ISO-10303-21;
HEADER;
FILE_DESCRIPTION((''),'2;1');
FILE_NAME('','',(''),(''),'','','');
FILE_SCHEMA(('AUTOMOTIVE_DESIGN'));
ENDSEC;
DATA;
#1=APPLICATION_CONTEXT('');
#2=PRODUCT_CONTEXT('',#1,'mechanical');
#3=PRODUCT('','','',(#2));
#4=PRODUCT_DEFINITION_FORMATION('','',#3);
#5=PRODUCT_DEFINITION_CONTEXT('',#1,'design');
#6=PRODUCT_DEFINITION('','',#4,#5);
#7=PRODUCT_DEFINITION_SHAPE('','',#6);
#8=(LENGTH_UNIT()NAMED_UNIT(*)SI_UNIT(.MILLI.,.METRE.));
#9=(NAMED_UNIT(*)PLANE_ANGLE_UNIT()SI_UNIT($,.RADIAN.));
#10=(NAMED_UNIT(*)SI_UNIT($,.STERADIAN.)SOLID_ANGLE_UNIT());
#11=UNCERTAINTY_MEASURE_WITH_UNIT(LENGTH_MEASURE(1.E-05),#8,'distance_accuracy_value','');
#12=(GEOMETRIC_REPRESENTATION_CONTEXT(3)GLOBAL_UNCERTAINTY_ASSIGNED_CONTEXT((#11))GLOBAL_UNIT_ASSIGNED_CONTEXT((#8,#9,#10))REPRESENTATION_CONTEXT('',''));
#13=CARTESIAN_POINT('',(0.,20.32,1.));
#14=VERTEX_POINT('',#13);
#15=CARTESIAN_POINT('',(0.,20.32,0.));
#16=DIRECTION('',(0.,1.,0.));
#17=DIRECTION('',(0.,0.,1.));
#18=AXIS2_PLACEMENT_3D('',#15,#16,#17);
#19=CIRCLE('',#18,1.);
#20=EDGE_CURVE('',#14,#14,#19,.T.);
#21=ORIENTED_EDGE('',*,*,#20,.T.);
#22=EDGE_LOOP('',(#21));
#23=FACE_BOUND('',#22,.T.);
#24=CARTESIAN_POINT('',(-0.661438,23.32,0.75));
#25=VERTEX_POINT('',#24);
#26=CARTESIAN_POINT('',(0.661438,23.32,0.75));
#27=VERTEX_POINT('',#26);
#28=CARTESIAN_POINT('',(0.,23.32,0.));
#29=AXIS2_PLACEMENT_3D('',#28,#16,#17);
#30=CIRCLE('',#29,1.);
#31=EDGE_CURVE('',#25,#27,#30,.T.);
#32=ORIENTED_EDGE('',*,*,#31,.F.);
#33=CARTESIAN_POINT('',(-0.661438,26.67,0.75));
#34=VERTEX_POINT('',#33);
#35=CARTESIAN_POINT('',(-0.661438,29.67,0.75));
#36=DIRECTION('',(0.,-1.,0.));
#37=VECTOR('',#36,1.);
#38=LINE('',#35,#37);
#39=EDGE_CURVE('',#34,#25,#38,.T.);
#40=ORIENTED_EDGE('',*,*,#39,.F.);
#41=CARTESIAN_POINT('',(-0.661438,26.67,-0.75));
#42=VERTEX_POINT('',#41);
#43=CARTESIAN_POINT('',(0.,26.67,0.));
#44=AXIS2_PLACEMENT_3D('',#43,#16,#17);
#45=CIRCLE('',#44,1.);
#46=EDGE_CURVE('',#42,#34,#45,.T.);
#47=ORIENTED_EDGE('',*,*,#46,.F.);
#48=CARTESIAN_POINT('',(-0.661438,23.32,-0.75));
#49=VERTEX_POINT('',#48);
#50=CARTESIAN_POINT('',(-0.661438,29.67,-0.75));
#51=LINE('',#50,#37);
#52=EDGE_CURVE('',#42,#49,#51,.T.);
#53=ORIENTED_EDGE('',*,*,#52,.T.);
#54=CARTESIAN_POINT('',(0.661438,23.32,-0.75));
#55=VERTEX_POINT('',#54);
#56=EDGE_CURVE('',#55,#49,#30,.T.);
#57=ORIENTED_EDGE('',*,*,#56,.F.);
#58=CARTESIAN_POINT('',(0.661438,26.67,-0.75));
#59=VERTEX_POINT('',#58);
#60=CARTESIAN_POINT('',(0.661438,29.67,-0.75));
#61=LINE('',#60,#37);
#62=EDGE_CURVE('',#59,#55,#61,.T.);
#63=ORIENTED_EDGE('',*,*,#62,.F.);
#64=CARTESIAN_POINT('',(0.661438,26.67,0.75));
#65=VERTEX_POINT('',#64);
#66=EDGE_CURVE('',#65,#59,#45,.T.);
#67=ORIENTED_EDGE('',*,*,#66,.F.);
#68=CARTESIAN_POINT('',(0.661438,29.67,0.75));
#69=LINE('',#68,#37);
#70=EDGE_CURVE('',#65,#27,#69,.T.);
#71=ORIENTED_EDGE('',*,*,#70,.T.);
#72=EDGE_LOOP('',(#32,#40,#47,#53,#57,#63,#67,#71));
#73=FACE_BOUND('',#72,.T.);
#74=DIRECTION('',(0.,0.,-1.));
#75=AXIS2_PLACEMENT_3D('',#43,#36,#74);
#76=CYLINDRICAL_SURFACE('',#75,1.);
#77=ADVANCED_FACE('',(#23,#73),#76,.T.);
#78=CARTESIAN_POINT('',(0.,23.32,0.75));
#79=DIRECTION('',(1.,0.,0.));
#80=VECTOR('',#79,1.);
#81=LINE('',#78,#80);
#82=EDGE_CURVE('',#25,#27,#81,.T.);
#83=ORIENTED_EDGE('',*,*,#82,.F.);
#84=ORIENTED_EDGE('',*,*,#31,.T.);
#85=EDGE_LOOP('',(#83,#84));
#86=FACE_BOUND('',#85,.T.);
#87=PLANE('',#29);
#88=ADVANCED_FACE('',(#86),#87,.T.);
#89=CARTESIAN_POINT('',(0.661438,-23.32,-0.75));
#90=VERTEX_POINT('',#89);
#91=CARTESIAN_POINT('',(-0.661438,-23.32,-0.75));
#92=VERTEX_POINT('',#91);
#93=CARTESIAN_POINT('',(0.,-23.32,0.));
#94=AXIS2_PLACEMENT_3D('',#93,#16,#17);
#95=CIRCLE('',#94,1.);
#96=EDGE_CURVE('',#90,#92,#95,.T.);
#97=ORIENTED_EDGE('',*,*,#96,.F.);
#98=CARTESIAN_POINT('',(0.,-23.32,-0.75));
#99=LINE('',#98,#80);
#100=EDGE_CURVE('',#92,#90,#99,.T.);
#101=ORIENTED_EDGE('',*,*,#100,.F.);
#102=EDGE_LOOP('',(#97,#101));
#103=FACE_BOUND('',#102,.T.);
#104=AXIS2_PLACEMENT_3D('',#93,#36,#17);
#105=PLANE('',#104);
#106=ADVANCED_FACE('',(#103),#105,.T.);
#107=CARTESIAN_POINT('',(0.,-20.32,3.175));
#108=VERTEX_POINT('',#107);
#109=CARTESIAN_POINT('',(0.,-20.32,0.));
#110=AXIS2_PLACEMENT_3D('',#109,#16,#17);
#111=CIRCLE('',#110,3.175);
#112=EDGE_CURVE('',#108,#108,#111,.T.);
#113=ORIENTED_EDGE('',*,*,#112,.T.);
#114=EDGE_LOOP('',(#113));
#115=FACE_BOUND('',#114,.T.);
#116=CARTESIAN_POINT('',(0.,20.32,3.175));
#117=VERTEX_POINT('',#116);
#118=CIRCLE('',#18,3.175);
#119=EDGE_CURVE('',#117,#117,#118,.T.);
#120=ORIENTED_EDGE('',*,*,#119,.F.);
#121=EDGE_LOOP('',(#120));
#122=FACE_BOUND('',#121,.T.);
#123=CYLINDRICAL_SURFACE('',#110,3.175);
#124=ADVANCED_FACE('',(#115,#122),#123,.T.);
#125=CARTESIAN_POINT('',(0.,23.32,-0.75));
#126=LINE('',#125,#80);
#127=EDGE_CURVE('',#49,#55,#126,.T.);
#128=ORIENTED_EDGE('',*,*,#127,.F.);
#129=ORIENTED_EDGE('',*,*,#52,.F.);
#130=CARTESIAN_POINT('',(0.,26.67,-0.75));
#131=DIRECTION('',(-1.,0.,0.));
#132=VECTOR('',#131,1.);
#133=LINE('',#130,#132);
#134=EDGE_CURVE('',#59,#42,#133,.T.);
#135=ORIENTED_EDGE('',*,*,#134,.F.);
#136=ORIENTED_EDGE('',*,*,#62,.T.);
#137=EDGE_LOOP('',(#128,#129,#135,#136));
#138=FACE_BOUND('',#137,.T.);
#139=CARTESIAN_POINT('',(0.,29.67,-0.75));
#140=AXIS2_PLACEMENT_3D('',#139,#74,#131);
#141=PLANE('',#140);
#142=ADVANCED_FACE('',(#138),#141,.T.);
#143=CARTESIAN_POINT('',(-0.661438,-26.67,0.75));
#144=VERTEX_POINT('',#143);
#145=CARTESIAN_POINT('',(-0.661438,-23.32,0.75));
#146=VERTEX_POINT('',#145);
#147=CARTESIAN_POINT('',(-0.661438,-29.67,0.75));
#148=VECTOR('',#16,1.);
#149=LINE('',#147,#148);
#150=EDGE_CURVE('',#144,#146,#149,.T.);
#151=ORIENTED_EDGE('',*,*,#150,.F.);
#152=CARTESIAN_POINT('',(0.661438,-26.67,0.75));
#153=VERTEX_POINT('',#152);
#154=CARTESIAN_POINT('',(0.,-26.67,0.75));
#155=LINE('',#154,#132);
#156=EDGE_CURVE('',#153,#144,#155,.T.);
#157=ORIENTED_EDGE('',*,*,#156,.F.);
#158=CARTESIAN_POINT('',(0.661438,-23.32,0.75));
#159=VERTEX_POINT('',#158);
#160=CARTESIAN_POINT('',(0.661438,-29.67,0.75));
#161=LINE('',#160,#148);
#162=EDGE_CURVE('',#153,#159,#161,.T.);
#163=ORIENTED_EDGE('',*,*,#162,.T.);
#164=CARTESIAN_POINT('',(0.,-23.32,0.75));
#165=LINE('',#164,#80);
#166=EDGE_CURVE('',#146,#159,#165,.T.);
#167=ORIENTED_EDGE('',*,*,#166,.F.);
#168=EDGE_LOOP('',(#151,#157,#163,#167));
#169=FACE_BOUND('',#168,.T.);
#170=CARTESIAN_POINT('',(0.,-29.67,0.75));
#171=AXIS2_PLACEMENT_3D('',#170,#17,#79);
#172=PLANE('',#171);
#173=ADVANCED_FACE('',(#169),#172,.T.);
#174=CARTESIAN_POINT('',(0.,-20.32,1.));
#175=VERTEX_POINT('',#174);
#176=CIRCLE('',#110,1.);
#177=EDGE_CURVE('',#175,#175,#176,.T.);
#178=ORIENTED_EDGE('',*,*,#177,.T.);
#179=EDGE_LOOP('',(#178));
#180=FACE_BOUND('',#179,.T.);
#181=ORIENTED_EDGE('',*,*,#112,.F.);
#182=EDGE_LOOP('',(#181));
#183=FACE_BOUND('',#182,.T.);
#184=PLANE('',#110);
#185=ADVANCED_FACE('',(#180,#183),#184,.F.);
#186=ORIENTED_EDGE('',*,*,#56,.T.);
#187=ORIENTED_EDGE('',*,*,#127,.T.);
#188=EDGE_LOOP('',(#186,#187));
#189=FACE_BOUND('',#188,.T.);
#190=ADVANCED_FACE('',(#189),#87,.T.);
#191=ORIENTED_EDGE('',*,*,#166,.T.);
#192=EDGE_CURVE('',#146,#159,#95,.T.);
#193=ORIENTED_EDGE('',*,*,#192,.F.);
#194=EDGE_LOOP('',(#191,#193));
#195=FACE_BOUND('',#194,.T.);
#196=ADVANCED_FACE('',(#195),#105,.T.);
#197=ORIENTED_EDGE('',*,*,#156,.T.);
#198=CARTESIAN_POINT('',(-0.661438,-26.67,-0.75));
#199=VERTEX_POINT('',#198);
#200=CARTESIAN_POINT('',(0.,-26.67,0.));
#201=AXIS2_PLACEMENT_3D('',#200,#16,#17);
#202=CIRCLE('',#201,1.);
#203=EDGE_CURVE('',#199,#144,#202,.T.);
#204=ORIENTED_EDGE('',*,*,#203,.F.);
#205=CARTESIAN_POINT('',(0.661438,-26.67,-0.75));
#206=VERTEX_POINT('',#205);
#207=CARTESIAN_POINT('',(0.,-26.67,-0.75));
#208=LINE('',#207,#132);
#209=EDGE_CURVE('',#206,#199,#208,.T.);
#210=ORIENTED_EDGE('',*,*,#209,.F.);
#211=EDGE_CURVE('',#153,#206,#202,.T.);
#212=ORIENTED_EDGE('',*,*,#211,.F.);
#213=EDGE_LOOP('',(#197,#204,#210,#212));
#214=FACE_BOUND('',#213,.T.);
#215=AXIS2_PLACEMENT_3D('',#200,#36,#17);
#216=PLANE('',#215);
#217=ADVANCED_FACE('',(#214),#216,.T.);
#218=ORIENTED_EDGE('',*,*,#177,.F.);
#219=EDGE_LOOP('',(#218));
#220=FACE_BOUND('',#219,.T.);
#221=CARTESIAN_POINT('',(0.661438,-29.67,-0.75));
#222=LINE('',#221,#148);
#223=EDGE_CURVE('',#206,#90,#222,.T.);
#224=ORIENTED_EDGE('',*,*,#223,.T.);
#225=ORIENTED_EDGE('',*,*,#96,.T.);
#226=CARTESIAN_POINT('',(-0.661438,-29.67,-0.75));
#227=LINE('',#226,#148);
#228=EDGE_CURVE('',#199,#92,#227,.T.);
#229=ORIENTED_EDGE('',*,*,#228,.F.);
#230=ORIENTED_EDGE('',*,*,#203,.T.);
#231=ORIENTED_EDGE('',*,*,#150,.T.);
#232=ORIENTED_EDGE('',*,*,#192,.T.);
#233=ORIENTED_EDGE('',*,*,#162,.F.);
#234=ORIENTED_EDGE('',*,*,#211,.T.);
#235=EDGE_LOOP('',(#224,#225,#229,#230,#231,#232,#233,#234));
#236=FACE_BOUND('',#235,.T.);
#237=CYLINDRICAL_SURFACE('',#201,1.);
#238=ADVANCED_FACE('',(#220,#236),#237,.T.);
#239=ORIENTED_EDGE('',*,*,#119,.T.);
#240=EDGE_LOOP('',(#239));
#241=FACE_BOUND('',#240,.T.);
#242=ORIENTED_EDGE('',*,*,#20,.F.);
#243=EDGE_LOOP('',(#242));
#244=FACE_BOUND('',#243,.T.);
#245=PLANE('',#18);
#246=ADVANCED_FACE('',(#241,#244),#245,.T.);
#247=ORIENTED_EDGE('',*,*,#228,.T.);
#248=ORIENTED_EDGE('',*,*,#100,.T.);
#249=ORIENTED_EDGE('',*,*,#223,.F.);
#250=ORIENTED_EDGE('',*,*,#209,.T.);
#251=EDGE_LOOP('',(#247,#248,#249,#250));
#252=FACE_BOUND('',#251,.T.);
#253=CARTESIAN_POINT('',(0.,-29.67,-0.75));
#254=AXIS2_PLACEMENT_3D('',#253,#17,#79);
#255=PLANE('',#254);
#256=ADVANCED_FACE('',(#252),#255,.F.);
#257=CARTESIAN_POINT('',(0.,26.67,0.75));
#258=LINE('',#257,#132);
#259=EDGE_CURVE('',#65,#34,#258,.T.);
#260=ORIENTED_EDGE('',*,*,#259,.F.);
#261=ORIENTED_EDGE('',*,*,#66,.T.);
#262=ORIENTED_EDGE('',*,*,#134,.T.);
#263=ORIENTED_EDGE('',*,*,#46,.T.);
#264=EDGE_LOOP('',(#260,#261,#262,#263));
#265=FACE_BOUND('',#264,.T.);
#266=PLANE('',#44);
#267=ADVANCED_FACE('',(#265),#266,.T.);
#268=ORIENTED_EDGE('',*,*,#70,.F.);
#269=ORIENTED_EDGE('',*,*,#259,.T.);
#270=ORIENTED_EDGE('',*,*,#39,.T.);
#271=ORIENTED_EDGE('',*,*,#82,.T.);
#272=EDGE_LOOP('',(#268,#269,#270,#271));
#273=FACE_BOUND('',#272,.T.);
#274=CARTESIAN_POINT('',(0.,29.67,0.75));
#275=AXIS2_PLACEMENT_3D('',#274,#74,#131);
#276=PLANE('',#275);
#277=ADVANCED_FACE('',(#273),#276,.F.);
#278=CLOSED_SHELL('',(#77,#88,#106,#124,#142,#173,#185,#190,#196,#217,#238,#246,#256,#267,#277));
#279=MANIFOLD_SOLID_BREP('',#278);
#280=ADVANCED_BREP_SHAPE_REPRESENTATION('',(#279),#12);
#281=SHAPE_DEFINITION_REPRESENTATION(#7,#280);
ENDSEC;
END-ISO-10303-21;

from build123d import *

# Parameters (mm, degrees)
BOSS_EXTRUDE1_DEPTH      = 20.32
BOSS_EXTRUDE1_DEPTH_BACK = 20.32
SKETCH1_R                = 3.175
SKETCH2_R                = 1
BOSS_EXTRUDE2_DEPTH      = 6.35
CUT_EXTRUDE1_DEPTH       = 6.35


with BuildPart() as part:
    # Sketch1 → Boss-Extrude1 (new, two sides: drawn at the far end of the back side and taken through both)
    with BuildSketch(Plane(origin=(0, 0, 0), x_dir=(1, 0, 0), z_dir=(0, 1, 0)).offset(-BOSS_EXTRUDE1_DEPTH_BACK)):
        Circle(SKETCH1_R)
    extrude(amount=BOSS_EXTRUDE1_DEPTH + BOSS_EXTRUDE1_DEPTH_BACK)

    # Sketch2 → Boss-Extrude2 (add)
    with BuildSketch(Plane(origin=(0, 20.32, 0), x_dir=(1, 0, 0), z_dir=(0, 1, 0))):
        Circle(SKETCH2_R)
    boss_extrude2 = extrude(amount=BOSS_EXTRUDE2_DEPTH)

    # Sketch3 → Cut-Extrude1 (cut)
    with BuildSketch(Plane(origin=(0, 23.320000096, 0), x_dir=(1, 0, 0), z_dir=(0, 1, 0))):
        with BuildLine():
            Line((0.661437828, -0.75), (-0.661437828, -0.75))
            ThreePointArc((-0.661437828, -0.75), (0, -1), (0.661437828, -0.75))
        make_face()
        with BuildLine():
            ThreePointArc((0.661437828, 0.75), (0, 1), (-0.661437828, 0.75))
            Line((-0.661437828, 0.75), (0.661437828, 0.75))
        make_face()
    cut_extrude1 = extrude(amount=CUT_EXTRUDE1_DEPTH, mode=Mode.SUBTRACT)

    # Mirror1: Boss-Extrude2, Cut-Extrude1 across plane
    add(boss_extrude2.mirror(Plane.ZX))
    add(cut_extrude1.mirror(Plane.ZX), mode=Mode.SUBTRACT)


solid = part.part
